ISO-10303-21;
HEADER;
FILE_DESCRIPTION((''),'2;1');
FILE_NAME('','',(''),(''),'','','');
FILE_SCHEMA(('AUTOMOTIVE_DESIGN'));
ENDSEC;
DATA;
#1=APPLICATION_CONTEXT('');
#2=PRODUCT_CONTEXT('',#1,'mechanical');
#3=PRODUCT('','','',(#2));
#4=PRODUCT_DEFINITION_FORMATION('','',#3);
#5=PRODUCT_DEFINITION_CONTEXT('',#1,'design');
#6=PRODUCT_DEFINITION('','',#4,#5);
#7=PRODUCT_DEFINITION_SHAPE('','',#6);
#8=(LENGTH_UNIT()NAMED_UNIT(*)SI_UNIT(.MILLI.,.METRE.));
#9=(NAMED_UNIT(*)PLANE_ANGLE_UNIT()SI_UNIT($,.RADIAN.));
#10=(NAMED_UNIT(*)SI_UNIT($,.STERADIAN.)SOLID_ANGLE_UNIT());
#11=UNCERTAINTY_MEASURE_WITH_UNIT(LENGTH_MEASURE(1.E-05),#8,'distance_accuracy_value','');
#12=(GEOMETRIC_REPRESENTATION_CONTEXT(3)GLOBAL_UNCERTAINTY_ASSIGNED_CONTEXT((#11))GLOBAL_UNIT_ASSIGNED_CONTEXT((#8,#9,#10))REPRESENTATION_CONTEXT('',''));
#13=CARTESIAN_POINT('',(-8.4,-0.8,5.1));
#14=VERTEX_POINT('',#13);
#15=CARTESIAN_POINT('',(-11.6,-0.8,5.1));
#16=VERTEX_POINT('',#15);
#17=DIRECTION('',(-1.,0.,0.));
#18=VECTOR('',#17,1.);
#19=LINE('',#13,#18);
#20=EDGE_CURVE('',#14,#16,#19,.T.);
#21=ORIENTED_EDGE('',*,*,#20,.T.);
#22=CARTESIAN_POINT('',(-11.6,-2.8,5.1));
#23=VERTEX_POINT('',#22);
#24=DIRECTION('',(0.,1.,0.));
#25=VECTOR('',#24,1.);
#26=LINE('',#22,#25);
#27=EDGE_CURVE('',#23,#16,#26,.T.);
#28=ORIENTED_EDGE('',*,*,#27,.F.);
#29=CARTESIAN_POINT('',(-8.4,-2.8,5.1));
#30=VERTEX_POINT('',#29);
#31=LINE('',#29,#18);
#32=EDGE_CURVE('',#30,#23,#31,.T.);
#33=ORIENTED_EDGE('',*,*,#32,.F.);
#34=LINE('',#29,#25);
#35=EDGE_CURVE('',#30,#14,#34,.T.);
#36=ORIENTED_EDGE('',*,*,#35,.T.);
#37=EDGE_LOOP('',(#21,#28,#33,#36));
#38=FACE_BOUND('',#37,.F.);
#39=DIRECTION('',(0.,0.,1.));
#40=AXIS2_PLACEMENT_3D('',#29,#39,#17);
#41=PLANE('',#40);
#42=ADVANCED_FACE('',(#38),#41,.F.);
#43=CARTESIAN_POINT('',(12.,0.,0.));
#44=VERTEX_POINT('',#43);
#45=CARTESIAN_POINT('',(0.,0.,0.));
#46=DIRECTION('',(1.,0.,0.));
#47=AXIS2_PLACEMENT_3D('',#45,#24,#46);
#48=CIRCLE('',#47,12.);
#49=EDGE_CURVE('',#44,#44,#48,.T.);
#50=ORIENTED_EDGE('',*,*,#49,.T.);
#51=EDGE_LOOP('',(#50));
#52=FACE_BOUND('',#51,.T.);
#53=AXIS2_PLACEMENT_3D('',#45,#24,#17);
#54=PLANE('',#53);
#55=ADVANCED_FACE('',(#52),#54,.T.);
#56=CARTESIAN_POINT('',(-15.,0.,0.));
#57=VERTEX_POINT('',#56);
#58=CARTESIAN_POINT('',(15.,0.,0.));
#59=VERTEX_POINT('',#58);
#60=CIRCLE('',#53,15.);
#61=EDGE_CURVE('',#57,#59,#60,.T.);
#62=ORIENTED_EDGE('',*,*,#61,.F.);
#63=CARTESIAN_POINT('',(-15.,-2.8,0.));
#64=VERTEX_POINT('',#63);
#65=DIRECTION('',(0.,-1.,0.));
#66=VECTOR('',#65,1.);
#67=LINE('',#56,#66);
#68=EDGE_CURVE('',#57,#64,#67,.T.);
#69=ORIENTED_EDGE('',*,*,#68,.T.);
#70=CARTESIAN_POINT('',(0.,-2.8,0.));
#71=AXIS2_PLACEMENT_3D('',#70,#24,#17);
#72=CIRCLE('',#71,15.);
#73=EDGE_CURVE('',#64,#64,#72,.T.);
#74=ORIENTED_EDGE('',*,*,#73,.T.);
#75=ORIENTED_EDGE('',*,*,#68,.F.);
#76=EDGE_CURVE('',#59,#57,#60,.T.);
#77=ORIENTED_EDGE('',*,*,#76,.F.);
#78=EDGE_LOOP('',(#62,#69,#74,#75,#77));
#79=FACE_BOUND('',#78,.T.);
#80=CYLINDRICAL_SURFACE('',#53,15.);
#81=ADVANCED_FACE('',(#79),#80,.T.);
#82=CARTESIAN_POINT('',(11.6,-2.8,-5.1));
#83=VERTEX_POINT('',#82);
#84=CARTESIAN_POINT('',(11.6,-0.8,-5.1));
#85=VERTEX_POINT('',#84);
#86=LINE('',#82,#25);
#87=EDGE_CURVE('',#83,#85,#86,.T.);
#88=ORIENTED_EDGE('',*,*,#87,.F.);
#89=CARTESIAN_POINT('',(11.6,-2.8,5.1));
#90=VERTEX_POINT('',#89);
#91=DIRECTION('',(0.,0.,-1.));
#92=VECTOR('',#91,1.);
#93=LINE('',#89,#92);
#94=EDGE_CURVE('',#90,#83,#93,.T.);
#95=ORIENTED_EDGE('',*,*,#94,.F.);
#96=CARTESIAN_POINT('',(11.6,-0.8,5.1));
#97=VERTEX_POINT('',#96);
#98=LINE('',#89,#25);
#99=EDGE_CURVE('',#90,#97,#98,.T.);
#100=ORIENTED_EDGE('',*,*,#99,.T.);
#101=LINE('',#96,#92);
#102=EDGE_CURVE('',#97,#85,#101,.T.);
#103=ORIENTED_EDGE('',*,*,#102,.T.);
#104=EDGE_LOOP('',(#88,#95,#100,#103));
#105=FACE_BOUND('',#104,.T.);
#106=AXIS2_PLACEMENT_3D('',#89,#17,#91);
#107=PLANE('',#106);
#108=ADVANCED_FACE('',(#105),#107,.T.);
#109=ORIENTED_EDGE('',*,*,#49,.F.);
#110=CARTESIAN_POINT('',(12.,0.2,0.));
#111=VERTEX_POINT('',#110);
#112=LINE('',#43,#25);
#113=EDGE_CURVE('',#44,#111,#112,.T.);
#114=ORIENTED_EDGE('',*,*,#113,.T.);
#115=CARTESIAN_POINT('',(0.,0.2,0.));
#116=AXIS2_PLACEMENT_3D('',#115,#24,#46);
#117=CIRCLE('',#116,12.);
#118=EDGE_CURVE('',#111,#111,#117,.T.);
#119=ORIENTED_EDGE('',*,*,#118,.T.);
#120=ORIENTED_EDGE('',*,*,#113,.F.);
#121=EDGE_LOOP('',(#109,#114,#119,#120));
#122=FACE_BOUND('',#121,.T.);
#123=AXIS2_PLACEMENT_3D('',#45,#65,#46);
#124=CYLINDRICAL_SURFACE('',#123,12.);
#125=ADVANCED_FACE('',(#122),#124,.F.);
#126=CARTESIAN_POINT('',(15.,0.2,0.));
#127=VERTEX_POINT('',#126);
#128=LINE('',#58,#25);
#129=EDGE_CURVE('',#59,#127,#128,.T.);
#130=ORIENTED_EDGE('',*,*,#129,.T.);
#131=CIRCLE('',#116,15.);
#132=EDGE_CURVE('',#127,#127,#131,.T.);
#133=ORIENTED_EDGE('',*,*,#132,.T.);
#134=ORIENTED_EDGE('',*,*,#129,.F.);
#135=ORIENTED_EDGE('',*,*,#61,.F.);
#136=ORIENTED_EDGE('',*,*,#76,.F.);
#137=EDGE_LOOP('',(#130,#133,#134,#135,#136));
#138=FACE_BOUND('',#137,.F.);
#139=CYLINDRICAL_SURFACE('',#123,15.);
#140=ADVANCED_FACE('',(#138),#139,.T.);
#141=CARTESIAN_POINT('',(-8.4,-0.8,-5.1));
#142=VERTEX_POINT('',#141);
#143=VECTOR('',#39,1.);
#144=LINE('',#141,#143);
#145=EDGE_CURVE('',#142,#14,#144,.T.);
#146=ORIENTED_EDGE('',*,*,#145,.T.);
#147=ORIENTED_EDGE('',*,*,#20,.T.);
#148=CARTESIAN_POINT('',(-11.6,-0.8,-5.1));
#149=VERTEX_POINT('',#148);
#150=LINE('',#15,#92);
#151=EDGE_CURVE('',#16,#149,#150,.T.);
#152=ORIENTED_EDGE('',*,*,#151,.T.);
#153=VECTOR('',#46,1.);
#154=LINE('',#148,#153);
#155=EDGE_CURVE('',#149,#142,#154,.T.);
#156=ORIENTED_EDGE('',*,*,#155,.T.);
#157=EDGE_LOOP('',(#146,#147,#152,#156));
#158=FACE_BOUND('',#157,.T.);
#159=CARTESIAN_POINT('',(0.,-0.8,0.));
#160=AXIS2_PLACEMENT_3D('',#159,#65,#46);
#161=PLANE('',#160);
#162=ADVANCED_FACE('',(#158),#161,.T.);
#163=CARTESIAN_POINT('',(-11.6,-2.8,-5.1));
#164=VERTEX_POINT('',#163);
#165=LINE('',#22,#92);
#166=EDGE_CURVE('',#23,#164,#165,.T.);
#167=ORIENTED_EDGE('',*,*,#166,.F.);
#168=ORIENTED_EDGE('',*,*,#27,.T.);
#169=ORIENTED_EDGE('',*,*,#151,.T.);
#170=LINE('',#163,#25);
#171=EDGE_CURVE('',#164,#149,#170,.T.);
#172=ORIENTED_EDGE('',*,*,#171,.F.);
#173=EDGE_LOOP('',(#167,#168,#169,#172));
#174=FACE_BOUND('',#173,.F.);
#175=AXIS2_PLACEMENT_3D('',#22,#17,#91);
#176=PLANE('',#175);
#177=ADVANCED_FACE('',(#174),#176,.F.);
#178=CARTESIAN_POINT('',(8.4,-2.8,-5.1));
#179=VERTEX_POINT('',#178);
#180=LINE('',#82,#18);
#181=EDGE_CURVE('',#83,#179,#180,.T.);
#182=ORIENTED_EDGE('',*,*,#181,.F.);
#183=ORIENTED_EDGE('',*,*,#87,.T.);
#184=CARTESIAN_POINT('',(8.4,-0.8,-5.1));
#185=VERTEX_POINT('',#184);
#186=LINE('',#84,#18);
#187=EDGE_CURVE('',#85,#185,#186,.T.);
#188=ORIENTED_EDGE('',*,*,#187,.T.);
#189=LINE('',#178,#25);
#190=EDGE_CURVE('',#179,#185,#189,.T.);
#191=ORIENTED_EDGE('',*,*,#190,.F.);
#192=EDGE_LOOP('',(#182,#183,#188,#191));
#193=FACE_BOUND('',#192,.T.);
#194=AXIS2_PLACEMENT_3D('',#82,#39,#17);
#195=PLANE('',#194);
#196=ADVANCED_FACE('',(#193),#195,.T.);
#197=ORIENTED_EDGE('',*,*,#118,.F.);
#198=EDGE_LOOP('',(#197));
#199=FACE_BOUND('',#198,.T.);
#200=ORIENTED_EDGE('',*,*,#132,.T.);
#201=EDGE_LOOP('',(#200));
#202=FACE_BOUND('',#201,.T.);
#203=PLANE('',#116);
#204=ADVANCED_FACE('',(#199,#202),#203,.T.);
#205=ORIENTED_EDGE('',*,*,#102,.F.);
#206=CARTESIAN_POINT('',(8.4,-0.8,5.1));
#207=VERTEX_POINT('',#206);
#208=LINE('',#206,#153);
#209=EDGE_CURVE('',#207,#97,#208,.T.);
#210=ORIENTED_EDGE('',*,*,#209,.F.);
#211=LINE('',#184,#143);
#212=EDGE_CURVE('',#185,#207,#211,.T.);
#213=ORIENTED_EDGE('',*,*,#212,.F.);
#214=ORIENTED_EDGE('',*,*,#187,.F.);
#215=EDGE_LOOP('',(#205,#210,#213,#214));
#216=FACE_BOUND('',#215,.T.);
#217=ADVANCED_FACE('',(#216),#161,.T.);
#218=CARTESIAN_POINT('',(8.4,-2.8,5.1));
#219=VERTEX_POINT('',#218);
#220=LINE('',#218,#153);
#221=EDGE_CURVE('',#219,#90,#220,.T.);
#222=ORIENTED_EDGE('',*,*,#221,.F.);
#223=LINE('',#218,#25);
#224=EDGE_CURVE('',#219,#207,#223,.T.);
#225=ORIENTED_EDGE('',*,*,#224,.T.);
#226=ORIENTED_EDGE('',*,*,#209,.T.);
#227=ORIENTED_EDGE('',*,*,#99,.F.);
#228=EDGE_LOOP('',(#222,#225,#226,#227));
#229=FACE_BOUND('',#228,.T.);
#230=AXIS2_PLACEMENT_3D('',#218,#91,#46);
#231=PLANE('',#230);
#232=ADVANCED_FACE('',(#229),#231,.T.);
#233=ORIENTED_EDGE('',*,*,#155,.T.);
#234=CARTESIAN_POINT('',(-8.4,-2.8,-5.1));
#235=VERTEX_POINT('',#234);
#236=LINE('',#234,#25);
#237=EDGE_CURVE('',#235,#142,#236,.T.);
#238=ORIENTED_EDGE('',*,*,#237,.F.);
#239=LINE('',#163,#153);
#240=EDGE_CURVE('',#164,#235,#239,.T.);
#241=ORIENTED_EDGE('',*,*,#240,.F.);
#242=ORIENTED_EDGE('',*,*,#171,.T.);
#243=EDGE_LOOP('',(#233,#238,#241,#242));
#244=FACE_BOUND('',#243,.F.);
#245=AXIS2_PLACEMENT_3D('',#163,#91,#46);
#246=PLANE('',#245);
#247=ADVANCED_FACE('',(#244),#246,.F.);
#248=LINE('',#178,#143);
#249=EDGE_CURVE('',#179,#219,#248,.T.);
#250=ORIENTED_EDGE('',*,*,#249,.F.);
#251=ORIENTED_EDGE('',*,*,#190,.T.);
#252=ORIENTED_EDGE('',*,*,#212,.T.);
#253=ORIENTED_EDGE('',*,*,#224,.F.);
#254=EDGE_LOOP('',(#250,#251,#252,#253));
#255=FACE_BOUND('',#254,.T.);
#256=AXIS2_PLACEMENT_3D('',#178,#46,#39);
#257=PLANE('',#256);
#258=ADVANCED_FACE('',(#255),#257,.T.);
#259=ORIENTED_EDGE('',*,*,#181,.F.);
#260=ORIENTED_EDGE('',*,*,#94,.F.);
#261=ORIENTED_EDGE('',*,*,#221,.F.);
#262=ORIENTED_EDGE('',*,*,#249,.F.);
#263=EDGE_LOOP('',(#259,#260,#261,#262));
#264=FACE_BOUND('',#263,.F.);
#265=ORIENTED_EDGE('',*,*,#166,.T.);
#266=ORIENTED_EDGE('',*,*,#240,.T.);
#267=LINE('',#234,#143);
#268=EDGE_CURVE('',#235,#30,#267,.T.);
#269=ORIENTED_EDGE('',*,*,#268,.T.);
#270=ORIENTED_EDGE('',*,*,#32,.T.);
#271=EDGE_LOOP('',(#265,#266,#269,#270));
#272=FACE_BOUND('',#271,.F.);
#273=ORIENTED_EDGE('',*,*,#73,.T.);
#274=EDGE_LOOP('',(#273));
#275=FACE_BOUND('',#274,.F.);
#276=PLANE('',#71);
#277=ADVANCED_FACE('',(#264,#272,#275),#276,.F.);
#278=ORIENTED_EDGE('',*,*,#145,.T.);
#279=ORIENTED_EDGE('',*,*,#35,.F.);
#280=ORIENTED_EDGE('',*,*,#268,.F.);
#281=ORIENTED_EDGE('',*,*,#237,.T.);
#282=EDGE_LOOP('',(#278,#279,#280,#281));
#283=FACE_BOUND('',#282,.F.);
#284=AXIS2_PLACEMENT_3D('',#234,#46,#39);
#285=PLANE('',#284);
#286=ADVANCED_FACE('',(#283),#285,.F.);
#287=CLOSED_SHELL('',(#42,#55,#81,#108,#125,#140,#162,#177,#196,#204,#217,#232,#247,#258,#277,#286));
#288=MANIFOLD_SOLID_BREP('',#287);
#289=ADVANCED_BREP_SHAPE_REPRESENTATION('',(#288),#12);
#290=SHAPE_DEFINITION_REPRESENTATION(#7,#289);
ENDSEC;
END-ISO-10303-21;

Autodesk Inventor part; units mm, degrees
ref_plane "YZ Plane" through (0, 0, 0) normal (1, 0, 0) x (0, 1, 0)
ref_plane "XZ Plane" through (0, 0, 0) normal (0, 1, 0) x (-1, 0, 0)
ref_plane "XY Plane" through (0, 0, 0) normal (0, 0, 1) x (1, 0, 0)
sketch "Sketch1" plane through (0, 0, 0) normal (0, 1, 0) x (-1, 0, 0)
  circle A0 centre (0, 0) radius 15
  dimension "d0" = 30
extrude "Extrusion1" add sketch "Sketch1" against normal blind 2.8
sketch "Sketch2" plane through (0, 0, 0) normal (0, 1, 0) x (1, 0, 0)
  line L0 (7.5, -7.5) -> (-7.5, -7.5)
  line L1 (-7.5, -7.5) -> (-7.5, 7.5)
  line L2 (-7.5, 7.5) -> (7.5, 7.5)
  line L3 (7.5, 7.5) -> (7.5, -7.5)
  line L4 (7.5, -7.5) -> (-7.5, 7.5) construction
  line L5 (-7.5, -7.5) -> (7.5, 7.5) construction
  circle A0 centre (0, 0) radius 12
  circle A1 centre (0, 0) radius 15 projected
  dimension "d3" = 15
  dimension "d4" = 15
  dimension "d13" = 3
extrude "Extrusion2" add sketch "Sketch2" along normal blind 0.2 contours A1
sketch "Sketch3" plane through (0, -2.8, 0) normal (0, -1, 0) x (1, 0, 0)
  line L0 (10, 0) -> (-10, 0) construction
  line L1 (-11.6, -5.1) -> (-8.4, -5.1)
  line L2 (-8.4, -5.1) -> (-8.4, 5.1)
  line L3 (-8.4, 5.1) -> (-11.6, 5.1)
  line L4 (-11.6, 5.1) -> (-11.6, -5.1)
  line L5 (-11.6, -5.1) -> (-8.4, 5.1) construction
  line L6 (-8.4, -5.1) -> (-11.6, 5.1) construction
  line L7 (0, -15) -> (0, 15) construction
  circle A0 centre (0, 0) radius 15 construction
  line L8 (11.6, -5.1) -> (8.4, -5.1)
  line L9 (8.4, -5.1) -> (8.4, 5.1)
  line L10 (8.4, 5.1) -> (11.6, 5.1)
  line L11 (11.6, 5.1) -> (11.6, -5.1)
  line L12 (11.6, -5.1) -> (8.4, 5.1) construction
  line L13 (8.4, -5.1) -> (11.6, 5.1) construction
  dimension "d14" = 20
  dimension "d15" = 3.2
  dimension "d16" = 10.2
extrude "Extrusion3" cut sketch "Sketch3" against normal blind 2
extrude "Extrusion4" [suppressed]
extrude "Extrusion5" [suppressed]
properties part number "Tag"
